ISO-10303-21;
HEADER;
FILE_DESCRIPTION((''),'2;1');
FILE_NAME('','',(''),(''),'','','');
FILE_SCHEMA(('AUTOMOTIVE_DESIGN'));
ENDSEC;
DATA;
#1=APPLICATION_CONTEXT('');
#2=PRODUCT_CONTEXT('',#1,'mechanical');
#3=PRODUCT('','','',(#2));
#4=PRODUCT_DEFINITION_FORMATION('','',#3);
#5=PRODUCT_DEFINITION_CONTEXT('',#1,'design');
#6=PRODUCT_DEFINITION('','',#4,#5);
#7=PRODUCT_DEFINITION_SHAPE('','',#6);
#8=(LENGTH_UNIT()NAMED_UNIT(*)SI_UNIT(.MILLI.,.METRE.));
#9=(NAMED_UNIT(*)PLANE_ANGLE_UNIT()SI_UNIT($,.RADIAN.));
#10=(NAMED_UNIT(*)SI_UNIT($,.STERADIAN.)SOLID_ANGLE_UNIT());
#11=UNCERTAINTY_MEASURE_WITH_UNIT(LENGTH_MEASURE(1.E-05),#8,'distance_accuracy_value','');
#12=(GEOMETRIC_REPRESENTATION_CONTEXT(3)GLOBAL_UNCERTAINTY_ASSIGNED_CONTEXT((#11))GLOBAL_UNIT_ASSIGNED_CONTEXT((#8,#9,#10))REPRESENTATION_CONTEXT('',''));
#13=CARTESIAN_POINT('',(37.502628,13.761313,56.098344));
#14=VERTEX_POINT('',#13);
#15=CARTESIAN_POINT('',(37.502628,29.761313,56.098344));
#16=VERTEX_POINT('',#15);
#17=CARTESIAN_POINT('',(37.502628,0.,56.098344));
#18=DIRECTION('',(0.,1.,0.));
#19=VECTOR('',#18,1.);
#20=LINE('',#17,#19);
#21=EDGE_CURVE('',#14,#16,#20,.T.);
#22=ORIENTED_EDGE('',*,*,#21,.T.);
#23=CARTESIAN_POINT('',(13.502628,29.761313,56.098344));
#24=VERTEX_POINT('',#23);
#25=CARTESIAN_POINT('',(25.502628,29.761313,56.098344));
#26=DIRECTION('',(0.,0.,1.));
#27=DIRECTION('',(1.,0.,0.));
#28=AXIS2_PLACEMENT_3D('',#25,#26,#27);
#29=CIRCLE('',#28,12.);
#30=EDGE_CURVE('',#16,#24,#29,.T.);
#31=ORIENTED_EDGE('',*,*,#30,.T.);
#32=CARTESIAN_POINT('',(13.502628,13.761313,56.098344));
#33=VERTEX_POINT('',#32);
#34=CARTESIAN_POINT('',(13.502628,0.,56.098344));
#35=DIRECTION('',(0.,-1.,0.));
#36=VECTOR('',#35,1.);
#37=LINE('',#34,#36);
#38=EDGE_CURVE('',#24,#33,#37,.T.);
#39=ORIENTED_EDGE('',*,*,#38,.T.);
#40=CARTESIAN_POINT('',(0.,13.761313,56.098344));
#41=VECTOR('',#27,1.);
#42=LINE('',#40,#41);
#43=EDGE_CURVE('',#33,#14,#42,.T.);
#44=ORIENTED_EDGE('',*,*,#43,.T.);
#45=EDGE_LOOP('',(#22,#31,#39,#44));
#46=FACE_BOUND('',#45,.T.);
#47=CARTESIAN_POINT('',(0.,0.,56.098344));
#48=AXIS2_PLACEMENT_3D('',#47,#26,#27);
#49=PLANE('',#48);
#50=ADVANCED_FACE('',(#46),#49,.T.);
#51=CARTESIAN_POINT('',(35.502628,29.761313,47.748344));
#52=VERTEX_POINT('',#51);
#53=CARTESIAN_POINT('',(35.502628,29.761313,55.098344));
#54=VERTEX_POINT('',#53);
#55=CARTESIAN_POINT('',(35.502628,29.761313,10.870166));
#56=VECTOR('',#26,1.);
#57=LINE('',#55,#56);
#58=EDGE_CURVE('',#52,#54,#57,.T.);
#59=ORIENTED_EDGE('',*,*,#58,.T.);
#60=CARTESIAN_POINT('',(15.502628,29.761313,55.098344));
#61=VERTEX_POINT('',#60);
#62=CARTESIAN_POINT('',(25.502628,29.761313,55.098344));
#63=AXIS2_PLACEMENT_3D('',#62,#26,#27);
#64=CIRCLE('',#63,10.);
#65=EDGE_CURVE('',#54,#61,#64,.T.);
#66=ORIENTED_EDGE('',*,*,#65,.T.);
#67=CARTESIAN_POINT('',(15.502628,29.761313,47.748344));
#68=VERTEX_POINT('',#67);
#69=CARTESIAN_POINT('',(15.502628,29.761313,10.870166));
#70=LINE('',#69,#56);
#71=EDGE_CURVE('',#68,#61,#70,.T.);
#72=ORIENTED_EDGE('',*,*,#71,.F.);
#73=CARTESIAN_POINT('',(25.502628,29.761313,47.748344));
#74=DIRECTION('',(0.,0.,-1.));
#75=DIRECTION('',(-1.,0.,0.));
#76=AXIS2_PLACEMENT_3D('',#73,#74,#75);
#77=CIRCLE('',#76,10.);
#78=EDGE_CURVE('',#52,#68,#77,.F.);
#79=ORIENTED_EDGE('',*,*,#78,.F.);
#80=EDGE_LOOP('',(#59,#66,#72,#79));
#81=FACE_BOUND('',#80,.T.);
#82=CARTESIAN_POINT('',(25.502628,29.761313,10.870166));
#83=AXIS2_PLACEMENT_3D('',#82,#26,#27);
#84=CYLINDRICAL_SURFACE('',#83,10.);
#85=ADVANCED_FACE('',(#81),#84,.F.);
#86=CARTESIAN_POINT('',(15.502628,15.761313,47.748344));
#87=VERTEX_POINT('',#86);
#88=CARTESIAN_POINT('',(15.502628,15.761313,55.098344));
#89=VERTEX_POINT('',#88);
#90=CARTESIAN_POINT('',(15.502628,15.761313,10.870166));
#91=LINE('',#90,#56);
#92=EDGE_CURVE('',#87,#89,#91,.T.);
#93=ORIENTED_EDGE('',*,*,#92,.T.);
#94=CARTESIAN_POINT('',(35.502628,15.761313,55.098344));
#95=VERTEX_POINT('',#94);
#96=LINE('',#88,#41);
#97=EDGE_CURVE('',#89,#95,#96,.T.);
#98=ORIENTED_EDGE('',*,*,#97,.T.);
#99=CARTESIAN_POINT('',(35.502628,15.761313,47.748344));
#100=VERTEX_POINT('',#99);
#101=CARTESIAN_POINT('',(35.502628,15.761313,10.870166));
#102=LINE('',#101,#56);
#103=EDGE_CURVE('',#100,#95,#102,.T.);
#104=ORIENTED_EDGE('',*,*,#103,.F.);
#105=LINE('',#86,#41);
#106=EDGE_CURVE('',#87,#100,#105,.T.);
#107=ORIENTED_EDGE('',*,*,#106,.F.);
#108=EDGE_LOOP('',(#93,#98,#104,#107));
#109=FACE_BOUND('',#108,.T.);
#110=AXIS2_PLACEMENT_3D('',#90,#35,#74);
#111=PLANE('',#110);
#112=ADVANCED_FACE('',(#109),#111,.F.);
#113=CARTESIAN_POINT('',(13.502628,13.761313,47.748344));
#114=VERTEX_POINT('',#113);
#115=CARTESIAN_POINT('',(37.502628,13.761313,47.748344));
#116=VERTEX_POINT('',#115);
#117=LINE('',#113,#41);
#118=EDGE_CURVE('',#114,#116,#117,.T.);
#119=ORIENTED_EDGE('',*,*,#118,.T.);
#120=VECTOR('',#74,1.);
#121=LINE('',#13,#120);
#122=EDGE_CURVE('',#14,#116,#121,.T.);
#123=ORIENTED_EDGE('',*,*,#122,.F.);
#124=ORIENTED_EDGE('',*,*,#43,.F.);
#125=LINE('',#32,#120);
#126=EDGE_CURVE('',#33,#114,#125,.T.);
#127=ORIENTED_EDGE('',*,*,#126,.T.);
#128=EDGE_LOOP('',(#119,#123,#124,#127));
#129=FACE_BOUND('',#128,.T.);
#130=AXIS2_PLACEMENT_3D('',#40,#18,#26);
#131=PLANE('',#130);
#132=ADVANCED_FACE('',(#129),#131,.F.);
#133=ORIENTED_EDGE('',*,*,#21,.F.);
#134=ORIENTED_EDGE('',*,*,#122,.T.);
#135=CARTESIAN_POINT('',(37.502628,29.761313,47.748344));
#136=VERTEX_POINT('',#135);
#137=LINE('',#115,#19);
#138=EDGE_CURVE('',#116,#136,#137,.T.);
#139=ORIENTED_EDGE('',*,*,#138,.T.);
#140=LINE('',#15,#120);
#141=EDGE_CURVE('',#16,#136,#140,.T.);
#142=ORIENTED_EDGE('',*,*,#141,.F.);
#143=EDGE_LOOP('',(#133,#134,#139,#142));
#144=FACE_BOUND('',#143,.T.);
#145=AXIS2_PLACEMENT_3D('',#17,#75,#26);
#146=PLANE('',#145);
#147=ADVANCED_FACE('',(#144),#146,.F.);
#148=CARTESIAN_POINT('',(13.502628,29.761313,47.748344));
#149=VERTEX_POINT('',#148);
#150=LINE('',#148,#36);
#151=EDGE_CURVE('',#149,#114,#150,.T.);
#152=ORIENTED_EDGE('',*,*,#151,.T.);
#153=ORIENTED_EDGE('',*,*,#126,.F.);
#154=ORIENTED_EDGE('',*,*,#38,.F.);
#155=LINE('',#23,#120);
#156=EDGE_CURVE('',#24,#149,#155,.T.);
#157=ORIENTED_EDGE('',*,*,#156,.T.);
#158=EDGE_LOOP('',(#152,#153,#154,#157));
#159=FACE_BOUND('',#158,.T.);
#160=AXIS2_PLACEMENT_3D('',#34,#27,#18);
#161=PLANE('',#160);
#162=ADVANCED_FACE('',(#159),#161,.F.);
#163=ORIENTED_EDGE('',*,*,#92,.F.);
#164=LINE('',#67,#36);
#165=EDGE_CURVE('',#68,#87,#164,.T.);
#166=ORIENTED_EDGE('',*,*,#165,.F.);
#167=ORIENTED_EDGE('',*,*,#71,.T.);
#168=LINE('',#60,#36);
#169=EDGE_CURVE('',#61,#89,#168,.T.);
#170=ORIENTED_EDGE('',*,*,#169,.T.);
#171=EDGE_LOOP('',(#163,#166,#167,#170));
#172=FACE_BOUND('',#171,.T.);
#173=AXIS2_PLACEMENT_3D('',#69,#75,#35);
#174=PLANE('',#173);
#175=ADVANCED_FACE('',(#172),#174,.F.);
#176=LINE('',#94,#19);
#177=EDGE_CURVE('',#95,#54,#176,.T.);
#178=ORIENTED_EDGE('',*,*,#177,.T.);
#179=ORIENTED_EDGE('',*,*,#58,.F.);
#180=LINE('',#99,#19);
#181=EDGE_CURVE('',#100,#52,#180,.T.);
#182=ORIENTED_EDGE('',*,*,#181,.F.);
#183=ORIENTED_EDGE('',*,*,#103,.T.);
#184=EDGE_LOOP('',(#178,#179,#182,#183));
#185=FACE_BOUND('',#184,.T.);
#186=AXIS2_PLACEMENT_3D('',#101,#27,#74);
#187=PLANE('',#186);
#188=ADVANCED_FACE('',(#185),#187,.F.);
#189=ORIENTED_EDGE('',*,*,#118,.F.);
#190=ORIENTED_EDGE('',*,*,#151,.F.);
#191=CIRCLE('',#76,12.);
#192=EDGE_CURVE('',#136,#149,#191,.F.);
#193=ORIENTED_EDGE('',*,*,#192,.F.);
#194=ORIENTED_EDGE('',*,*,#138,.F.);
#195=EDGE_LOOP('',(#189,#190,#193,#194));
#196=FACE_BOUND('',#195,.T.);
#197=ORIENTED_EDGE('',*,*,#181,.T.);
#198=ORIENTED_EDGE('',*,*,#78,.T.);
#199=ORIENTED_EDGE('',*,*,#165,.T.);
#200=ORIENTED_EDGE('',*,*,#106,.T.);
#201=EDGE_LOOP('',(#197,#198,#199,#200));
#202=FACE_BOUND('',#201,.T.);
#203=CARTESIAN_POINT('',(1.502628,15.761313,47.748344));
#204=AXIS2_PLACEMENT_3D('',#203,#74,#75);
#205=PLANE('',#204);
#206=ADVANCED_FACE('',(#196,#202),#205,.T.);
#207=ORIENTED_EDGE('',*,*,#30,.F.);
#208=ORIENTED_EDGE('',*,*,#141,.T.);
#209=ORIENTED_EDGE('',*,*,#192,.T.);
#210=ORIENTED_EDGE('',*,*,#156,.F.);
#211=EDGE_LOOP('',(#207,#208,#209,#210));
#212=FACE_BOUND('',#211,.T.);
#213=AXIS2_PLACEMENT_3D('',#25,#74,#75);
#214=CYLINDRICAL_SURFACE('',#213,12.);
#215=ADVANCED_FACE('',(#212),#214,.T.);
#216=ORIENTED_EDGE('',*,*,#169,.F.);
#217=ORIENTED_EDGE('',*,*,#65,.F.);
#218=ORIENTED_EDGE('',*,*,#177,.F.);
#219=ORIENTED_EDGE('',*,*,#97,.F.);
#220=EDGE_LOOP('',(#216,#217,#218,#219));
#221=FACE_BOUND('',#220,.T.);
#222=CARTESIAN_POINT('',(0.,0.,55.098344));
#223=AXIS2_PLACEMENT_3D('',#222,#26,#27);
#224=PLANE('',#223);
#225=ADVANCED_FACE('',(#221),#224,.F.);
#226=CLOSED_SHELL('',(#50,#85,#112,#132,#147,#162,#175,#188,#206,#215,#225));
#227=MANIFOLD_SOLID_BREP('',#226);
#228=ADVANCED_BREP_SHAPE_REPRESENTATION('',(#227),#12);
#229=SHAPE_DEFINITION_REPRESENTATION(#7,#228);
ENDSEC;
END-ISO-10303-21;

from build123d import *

# Parameters (mm, degrees)
SKETCH1_R           = 8.5
BOSS_EXTRUDE1_DEPTH = 1
BOSS_EXTRUDE2_START = -7.35
BOSS_EXTRUDE2_DEPTH = 7.35


with BuildPart() as part:
    # Sketch1 → Boss-Extrude1 (new body)
    # profile 1 of 3: a face of its own
    with BuildSketch(Plane.XY.offset(55.098344014)):
        with BuildLine():
            Line((37.502628192, 13.761312554), (37.502628192, 29.761312554))
            ThreePointArc((37.502628192, 29.761312554), (25.502628192, 41.761312554), (13.502628192, 29.761312554))
            Line((13.502628192, 29.761312554), (13.502628192, 13.761312554))
            Line((13.502628192, 13.761312554), (37.502628192, 13.761312554))
        make_face()
        with BuildLine():
            ThreePointArc((35.502628192, 29.761312554), (25.502628192, 39.761312554), (15.502628192, 29.761312554))
            Line((15.502628192, 29.761312554), (15.502628192, 15.761312554))
            Line((15.502628192, 15.761312554), (35.502628192, 15.761312554))
            Line((35.502628192, 15.761312554), (35.502628192, 29.761312554))
        make_face(mode=Mode.SUBTRACT)
    # profile 2 of 3: a face of its own
    with BuildSketch(Plane.XY.offset(55.098344014)):
        with BuildLine():
            Line((35.502628192, 15.761312554), (35.502628192, 29.761312554))
            ThreePointArc((35.502628192, 29.761312554), (25.502628192, 39.761312554), (15.502628192, 29.761312554))
            Line((15.502628192, 29.761312554), (15.502628192, 15.761312554))
            Line((15.502628192, 15.761312554), (35.502628192, 15.761312554))
        make_face()
        with Locations((25.502628192, 29.761312554)):
            Circle(SKETCH1_R, mode=Mode.SUBTRACT)
    # profile 3 of 3: a face of its own
    with BuildSketch(Plane.XY.offset(55.098344014)):
        with Locations((25.502628192, 29.761312554)):
            Circle(SKETCH1_R)
    extrude(amount=BOSS_EXTRUDE1_DEPTH)

    # Sketch1<4> → Boss-Extrude2 (add)
    with BuildSketch(Plane.XY.offset(55.098344014).offset(BOSS_EXTRUDE2_START)):
        with BuildLine():
            Line((13.502628192, 29.761312554), (13.502628192, 13.761312554))
            Line((13.502628192, 13.761312554), (37.502628192, 13.761312554))
            Line((37.502628192, 13.761312554), (37.502628192, 29.761312554))
            ThreePointArc((37.502628192, 29.761312554), (25.502628192, 41.761312554), (13.502628192, 29.761312554))
        make_face()
        with BuildLine():
            Line((15.502628192, 29.761312554), (15.502628192, 15.761312554))
            Line((15.502628192, 15.761312554), (35.502628192, 15.761312554))
            Line((35.502628192, 15.761312554), (35.502628192, 29.761312554))
            ThreePointArc((35.502628192, 29.761312554), (25.502628192, 39.761312554), (15.502628192, 29.761312554))
        make_face(mode=Mode.SUBTRACT)
    extrude(amount=BOSS_EXTRUDE2_DEPTH)


solid = part.part
